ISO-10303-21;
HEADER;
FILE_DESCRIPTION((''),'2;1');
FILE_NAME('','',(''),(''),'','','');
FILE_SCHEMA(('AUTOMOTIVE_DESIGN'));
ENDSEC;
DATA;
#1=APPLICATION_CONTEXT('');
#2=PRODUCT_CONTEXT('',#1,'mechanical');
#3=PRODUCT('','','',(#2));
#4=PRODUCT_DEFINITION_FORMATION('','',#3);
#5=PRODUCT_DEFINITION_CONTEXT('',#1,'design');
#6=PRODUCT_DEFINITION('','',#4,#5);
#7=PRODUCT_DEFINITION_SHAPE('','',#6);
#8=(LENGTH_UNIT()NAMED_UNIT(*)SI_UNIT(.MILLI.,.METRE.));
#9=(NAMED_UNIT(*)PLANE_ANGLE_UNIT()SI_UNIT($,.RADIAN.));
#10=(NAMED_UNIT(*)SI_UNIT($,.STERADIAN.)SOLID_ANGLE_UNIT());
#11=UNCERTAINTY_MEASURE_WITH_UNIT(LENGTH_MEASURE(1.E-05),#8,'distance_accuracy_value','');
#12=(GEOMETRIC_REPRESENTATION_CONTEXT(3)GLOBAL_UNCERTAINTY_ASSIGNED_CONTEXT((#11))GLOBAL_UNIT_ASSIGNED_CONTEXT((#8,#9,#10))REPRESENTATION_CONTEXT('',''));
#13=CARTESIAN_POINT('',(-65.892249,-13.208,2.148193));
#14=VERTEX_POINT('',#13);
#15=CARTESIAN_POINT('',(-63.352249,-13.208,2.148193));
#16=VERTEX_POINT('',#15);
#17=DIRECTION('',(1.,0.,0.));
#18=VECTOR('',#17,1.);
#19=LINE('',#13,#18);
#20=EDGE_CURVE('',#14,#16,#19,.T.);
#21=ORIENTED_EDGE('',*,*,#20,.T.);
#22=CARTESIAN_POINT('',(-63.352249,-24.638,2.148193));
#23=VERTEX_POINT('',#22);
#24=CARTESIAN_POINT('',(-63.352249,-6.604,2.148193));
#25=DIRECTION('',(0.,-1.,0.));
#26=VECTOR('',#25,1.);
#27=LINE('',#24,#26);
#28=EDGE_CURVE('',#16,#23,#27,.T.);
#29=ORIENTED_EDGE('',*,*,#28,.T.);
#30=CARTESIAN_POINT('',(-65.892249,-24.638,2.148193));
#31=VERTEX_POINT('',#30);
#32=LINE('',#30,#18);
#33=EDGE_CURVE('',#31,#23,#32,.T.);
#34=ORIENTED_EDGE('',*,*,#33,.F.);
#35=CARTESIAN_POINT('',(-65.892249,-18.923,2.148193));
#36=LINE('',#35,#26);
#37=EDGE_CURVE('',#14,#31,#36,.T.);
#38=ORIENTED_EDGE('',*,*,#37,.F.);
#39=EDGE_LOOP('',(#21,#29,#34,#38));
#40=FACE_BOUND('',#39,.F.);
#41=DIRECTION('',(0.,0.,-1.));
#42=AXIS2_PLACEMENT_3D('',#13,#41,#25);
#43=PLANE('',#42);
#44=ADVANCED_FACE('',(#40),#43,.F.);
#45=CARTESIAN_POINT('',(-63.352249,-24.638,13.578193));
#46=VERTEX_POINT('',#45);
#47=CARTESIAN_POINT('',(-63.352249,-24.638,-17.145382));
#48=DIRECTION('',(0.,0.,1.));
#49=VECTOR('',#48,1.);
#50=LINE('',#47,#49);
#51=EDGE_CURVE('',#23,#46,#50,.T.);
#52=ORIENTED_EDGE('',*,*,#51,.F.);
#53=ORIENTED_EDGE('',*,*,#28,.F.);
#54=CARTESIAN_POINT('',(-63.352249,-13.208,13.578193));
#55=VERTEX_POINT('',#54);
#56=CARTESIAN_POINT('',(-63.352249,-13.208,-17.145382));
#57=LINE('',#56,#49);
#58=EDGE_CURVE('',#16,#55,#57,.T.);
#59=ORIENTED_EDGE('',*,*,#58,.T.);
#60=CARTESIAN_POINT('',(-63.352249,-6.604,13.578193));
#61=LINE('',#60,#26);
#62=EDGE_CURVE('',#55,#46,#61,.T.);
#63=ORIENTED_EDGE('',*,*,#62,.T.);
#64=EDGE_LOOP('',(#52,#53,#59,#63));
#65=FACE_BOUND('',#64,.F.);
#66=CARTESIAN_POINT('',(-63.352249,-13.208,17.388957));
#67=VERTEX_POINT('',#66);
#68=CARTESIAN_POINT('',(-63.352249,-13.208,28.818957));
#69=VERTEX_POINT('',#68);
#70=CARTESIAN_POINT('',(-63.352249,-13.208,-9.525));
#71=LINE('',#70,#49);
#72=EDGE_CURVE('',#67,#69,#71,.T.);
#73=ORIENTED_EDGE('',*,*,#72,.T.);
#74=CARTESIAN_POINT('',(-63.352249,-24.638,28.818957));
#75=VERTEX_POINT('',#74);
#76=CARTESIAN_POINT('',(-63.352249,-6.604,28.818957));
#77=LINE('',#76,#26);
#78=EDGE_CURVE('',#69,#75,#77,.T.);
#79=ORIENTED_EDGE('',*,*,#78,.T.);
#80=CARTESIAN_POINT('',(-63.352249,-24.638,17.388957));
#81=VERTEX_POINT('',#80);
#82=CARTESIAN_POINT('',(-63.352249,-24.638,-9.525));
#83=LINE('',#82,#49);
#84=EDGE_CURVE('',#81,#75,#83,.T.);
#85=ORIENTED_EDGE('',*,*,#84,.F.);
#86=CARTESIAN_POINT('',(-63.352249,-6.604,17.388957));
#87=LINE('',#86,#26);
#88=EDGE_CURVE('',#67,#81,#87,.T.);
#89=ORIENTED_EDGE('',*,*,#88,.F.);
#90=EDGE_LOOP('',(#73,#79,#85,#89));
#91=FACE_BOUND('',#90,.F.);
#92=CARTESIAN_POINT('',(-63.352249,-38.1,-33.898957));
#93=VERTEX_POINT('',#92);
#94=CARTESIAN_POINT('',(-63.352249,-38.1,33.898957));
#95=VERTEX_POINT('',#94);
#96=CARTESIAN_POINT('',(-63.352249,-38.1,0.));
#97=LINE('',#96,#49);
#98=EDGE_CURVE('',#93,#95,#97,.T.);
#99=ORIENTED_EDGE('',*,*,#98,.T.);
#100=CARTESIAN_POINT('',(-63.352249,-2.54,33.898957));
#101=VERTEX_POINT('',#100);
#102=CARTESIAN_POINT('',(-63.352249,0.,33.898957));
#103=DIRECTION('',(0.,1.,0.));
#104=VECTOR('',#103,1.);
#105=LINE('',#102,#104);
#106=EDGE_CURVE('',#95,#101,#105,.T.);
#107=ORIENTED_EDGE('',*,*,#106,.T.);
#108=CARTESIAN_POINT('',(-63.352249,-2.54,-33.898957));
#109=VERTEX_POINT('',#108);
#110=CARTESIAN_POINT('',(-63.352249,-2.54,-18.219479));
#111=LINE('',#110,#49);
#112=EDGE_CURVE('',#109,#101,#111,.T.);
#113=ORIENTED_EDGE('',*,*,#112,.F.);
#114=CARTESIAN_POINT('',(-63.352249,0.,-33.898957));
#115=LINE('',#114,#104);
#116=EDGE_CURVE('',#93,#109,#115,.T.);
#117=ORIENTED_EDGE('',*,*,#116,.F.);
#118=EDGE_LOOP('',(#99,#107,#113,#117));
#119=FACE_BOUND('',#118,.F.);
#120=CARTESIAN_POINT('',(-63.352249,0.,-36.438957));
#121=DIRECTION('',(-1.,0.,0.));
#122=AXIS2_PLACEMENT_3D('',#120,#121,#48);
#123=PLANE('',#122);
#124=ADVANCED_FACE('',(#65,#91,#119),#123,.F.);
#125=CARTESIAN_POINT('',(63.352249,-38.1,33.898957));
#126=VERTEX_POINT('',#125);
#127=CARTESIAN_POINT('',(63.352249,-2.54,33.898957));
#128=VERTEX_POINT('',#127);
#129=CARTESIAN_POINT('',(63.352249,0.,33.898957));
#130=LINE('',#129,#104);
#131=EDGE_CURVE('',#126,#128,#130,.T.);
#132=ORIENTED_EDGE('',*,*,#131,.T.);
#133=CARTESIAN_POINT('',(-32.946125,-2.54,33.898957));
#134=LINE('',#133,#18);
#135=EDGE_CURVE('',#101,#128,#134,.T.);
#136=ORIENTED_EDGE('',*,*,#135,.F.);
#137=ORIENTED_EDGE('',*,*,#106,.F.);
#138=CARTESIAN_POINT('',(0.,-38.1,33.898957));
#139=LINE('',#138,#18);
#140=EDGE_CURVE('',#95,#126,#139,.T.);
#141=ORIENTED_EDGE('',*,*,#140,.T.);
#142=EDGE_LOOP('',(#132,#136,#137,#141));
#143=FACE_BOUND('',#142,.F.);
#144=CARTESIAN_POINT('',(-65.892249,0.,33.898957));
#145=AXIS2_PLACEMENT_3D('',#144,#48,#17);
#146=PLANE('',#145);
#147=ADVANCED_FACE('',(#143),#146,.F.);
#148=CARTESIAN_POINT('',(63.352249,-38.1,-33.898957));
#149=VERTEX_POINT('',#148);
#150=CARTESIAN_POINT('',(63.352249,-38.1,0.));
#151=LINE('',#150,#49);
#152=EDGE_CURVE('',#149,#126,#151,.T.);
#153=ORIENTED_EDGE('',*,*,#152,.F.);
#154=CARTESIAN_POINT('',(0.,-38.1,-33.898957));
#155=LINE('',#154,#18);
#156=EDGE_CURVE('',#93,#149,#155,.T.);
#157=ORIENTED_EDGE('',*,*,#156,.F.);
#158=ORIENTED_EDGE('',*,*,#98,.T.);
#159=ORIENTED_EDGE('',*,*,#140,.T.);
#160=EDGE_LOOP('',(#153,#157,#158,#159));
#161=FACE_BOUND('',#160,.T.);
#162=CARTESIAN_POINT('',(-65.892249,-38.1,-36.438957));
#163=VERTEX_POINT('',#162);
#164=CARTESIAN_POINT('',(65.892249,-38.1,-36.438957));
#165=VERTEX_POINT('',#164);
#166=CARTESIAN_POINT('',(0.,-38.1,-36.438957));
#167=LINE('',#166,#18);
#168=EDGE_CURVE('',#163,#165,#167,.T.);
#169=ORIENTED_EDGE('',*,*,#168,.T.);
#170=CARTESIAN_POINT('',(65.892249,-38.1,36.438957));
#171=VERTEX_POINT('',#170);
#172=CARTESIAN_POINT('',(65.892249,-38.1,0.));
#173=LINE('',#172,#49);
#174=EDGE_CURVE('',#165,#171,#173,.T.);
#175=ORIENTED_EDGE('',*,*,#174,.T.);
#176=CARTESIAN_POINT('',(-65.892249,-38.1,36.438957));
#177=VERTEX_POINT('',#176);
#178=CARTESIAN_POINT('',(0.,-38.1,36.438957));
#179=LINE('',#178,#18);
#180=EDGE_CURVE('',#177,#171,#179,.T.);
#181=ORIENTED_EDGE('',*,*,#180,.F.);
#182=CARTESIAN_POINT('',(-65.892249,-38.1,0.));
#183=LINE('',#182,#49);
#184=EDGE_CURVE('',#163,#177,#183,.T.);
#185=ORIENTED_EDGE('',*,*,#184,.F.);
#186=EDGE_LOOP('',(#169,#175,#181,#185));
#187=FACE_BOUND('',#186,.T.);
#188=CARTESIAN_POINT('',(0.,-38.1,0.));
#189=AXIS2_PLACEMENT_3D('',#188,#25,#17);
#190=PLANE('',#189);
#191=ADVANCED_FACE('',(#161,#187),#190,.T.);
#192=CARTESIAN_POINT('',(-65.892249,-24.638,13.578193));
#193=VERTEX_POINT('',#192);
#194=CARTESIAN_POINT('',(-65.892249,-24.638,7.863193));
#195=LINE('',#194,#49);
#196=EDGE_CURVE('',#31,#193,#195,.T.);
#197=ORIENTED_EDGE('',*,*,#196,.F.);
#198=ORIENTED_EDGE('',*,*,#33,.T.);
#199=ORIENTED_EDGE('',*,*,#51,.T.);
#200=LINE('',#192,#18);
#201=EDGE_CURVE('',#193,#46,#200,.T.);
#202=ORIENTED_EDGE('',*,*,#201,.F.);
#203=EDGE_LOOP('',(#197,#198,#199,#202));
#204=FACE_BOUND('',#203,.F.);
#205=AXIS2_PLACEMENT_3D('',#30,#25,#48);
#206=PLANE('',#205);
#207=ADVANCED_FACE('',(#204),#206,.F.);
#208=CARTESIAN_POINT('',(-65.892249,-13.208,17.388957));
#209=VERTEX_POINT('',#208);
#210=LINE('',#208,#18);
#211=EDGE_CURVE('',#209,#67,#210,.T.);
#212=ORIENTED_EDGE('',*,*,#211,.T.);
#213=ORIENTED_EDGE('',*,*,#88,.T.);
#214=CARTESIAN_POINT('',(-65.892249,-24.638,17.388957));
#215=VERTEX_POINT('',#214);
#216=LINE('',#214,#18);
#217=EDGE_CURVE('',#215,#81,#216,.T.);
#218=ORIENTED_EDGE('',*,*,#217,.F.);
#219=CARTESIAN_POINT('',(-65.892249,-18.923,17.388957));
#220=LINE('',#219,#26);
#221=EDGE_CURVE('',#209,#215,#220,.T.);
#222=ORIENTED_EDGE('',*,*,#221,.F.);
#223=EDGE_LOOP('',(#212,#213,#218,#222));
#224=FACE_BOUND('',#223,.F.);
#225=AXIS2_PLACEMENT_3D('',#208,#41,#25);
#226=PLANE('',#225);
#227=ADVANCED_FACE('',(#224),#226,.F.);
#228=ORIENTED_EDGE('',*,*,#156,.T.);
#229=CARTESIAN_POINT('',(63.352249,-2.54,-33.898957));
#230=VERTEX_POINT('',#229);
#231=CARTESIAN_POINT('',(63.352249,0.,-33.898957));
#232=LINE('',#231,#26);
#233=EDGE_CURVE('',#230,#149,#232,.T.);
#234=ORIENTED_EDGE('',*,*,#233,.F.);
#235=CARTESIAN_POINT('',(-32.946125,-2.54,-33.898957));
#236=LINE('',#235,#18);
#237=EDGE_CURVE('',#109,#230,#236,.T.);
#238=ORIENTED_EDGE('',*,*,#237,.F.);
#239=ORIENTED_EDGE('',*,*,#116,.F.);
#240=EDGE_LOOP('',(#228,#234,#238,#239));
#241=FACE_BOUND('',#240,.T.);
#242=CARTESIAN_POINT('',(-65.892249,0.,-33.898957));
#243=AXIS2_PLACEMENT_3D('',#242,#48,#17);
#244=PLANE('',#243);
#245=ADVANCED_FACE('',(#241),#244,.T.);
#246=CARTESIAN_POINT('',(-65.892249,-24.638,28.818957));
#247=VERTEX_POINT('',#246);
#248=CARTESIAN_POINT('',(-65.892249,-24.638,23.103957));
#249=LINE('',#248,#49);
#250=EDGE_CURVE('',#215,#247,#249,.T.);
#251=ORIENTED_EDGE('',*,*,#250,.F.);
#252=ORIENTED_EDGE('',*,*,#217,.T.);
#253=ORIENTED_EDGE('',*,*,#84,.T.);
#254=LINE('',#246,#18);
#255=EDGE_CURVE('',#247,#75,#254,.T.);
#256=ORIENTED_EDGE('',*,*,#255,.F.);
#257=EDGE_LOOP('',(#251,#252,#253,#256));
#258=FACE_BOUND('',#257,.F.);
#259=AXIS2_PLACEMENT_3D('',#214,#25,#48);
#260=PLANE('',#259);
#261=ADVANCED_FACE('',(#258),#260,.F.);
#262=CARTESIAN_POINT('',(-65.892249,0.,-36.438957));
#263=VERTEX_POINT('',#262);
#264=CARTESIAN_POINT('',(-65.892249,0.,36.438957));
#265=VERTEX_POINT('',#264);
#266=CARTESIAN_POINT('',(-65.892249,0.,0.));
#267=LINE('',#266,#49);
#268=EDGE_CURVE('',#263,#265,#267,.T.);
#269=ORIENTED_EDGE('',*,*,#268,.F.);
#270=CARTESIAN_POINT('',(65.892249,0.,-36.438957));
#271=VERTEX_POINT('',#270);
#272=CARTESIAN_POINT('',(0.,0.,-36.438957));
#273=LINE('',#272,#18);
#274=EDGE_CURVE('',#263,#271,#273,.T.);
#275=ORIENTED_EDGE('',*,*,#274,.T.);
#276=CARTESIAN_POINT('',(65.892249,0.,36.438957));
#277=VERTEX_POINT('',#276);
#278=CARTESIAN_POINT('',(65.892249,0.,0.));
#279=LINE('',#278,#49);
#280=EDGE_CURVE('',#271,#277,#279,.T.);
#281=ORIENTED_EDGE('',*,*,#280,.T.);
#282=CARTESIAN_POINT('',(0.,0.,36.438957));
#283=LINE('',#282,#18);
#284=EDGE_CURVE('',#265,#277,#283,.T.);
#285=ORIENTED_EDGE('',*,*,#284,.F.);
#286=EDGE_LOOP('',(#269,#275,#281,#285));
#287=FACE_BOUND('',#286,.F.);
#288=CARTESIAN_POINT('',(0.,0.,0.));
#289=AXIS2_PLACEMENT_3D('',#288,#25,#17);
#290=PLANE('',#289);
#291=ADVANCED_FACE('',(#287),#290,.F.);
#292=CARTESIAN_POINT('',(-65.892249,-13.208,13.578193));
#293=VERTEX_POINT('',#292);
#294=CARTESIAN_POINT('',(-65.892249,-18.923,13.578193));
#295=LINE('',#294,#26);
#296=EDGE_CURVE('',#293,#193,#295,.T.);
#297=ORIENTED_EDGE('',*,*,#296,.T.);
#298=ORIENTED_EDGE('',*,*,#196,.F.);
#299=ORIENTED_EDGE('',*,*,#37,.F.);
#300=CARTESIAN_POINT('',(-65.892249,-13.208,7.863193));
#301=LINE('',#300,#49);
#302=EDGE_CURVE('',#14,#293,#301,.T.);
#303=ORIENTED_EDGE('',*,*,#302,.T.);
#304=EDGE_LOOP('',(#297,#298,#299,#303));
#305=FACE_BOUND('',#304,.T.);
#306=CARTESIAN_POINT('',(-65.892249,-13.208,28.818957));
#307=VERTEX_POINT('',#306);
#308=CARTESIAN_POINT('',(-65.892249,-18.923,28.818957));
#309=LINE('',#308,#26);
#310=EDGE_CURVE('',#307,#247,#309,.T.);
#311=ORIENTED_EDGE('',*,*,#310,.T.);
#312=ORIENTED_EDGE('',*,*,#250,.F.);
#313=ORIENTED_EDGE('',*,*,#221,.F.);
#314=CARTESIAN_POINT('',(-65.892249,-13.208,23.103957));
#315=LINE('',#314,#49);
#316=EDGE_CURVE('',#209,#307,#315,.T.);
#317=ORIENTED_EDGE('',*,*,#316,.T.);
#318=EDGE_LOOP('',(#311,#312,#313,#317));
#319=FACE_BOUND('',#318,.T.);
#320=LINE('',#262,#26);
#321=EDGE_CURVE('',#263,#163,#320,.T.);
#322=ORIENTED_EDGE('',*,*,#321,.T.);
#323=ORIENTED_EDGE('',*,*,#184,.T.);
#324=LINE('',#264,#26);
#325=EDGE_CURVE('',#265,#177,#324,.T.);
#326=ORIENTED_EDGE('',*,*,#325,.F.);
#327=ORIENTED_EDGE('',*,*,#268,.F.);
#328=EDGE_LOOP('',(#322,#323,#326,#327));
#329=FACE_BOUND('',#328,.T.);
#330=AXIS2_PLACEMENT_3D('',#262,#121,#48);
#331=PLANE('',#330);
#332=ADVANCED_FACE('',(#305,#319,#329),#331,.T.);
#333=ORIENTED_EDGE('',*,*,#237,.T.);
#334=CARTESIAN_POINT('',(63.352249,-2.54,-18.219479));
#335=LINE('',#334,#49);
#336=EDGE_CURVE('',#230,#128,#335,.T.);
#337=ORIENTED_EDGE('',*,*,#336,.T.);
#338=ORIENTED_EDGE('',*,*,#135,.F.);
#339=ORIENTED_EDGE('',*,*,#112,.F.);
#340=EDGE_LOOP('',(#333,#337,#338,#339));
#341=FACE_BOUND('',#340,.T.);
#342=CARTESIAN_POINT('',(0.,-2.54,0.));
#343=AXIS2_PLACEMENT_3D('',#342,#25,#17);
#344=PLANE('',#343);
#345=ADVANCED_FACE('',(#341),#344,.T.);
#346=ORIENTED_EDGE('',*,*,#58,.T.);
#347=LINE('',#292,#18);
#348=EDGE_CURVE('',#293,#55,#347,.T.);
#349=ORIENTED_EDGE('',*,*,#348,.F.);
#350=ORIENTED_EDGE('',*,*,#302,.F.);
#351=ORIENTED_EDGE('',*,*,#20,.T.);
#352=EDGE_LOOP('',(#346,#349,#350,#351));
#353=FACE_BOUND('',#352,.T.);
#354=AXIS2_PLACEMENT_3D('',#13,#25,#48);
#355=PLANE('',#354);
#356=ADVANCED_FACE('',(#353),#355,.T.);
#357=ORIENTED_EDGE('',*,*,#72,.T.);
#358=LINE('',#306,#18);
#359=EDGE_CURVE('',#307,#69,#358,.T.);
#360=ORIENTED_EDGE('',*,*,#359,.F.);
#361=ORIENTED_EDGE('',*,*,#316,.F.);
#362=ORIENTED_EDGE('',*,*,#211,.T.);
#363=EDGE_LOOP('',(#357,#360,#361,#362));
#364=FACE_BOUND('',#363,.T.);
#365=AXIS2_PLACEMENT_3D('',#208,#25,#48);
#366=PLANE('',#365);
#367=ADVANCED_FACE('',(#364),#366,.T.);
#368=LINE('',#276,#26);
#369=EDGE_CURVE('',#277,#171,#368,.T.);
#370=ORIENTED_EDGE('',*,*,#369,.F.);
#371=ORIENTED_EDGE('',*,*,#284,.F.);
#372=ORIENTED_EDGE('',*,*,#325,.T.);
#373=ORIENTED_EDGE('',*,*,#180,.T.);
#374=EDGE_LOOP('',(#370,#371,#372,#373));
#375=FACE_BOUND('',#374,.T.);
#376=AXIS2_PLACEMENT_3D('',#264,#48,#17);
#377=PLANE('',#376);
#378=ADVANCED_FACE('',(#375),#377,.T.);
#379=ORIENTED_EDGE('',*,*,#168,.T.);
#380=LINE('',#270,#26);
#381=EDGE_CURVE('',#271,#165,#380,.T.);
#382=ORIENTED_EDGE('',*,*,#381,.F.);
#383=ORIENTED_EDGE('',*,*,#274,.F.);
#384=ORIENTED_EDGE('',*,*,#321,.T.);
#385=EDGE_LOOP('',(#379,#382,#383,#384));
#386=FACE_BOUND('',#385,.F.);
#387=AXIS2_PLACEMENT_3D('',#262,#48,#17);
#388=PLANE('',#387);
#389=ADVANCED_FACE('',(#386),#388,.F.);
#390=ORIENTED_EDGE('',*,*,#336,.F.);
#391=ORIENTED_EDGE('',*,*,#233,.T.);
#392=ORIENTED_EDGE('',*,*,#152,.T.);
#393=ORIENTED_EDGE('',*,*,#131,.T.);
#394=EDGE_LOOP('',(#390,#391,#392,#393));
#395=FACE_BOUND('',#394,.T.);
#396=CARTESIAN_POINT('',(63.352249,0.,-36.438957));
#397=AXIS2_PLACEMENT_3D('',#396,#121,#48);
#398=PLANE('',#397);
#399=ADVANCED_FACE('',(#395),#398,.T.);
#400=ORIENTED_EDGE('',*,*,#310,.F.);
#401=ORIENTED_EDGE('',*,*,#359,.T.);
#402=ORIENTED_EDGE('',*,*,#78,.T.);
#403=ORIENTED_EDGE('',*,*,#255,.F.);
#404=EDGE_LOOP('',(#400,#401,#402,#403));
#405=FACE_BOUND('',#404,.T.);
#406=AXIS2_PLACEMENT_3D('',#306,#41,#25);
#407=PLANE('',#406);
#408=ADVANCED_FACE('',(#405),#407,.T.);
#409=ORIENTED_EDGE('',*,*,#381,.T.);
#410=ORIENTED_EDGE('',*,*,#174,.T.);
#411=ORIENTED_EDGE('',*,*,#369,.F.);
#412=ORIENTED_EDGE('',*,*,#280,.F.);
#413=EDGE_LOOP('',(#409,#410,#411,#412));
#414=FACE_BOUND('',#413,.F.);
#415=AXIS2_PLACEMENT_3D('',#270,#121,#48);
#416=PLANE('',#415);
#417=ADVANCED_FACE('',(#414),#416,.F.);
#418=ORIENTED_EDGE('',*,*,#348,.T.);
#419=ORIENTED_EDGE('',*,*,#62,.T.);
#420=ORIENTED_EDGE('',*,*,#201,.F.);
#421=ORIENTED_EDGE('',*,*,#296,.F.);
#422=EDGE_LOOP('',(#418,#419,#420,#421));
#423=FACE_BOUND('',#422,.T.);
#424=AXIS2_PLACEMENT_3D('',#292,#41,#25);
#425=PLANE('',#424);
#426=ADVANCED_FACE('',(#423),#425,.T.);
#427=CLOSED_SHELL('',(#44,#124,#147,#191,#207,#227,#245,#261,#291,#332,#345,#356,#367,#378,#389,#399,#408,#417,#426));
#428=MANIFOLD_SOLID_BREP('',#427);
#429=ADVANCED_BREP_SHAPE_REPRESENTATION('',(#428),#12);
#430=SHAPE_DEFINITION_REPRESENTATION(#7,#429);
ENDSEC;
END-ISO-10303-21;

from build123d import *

# Parameters (mm, degrees)
F0_W     = 131.784498
F0_H     = 72.877914
F1_DEPTH = 38.1
F2_T     = -2.54
F3_W     = 11.43
F3_H     = 11.43
F4_DEPTH = 25.4
F5_W     = 11.43
F5_H     = 11.43
F6_DEPTH = 25.4


with BuildPart() as f1:
    # F0 (on Front) → F1 (new body)
    with BuildSketch(Plane.XZ):
        Rectangle(F0_W, F0_H)
    extrude(amount=F1_DEPTH)

    # F2
    f2_openings = [f1.faces().sort_by_distance(p)[0] for p in [
        (0, -38.1, 0),
    ]]
    offset(amount=F2_T, openings=f2_openings)

    # F3 (on face) → F4 (cut)
    with BuildSketch(Plane(origin=(-65.892249, 0, 0), x_dir=(0, -1, 0), z_dir=(-1, 0, 0))):
        with Locations((18.923, 23.103957)):
            Rectangle(F3_W, F3_H)
    extrude(amount=-F4_DEPTH, mode=Mode.SUBTRACT)

    # F5 (on face) → F6 (cut)
    with BuildSketch(Plane(origin=(-65.892249, 0, 0), x_dir=(0, -1, 0), z_dir=(-1, 0, 0))):
        with Locations((18.923, 7.863193)):
            Rectangle(F5_W, F5_H)
    extrude(amount=-F6_DEPTH, mode=Mode.SUBTRACT)


solid = f1.part
